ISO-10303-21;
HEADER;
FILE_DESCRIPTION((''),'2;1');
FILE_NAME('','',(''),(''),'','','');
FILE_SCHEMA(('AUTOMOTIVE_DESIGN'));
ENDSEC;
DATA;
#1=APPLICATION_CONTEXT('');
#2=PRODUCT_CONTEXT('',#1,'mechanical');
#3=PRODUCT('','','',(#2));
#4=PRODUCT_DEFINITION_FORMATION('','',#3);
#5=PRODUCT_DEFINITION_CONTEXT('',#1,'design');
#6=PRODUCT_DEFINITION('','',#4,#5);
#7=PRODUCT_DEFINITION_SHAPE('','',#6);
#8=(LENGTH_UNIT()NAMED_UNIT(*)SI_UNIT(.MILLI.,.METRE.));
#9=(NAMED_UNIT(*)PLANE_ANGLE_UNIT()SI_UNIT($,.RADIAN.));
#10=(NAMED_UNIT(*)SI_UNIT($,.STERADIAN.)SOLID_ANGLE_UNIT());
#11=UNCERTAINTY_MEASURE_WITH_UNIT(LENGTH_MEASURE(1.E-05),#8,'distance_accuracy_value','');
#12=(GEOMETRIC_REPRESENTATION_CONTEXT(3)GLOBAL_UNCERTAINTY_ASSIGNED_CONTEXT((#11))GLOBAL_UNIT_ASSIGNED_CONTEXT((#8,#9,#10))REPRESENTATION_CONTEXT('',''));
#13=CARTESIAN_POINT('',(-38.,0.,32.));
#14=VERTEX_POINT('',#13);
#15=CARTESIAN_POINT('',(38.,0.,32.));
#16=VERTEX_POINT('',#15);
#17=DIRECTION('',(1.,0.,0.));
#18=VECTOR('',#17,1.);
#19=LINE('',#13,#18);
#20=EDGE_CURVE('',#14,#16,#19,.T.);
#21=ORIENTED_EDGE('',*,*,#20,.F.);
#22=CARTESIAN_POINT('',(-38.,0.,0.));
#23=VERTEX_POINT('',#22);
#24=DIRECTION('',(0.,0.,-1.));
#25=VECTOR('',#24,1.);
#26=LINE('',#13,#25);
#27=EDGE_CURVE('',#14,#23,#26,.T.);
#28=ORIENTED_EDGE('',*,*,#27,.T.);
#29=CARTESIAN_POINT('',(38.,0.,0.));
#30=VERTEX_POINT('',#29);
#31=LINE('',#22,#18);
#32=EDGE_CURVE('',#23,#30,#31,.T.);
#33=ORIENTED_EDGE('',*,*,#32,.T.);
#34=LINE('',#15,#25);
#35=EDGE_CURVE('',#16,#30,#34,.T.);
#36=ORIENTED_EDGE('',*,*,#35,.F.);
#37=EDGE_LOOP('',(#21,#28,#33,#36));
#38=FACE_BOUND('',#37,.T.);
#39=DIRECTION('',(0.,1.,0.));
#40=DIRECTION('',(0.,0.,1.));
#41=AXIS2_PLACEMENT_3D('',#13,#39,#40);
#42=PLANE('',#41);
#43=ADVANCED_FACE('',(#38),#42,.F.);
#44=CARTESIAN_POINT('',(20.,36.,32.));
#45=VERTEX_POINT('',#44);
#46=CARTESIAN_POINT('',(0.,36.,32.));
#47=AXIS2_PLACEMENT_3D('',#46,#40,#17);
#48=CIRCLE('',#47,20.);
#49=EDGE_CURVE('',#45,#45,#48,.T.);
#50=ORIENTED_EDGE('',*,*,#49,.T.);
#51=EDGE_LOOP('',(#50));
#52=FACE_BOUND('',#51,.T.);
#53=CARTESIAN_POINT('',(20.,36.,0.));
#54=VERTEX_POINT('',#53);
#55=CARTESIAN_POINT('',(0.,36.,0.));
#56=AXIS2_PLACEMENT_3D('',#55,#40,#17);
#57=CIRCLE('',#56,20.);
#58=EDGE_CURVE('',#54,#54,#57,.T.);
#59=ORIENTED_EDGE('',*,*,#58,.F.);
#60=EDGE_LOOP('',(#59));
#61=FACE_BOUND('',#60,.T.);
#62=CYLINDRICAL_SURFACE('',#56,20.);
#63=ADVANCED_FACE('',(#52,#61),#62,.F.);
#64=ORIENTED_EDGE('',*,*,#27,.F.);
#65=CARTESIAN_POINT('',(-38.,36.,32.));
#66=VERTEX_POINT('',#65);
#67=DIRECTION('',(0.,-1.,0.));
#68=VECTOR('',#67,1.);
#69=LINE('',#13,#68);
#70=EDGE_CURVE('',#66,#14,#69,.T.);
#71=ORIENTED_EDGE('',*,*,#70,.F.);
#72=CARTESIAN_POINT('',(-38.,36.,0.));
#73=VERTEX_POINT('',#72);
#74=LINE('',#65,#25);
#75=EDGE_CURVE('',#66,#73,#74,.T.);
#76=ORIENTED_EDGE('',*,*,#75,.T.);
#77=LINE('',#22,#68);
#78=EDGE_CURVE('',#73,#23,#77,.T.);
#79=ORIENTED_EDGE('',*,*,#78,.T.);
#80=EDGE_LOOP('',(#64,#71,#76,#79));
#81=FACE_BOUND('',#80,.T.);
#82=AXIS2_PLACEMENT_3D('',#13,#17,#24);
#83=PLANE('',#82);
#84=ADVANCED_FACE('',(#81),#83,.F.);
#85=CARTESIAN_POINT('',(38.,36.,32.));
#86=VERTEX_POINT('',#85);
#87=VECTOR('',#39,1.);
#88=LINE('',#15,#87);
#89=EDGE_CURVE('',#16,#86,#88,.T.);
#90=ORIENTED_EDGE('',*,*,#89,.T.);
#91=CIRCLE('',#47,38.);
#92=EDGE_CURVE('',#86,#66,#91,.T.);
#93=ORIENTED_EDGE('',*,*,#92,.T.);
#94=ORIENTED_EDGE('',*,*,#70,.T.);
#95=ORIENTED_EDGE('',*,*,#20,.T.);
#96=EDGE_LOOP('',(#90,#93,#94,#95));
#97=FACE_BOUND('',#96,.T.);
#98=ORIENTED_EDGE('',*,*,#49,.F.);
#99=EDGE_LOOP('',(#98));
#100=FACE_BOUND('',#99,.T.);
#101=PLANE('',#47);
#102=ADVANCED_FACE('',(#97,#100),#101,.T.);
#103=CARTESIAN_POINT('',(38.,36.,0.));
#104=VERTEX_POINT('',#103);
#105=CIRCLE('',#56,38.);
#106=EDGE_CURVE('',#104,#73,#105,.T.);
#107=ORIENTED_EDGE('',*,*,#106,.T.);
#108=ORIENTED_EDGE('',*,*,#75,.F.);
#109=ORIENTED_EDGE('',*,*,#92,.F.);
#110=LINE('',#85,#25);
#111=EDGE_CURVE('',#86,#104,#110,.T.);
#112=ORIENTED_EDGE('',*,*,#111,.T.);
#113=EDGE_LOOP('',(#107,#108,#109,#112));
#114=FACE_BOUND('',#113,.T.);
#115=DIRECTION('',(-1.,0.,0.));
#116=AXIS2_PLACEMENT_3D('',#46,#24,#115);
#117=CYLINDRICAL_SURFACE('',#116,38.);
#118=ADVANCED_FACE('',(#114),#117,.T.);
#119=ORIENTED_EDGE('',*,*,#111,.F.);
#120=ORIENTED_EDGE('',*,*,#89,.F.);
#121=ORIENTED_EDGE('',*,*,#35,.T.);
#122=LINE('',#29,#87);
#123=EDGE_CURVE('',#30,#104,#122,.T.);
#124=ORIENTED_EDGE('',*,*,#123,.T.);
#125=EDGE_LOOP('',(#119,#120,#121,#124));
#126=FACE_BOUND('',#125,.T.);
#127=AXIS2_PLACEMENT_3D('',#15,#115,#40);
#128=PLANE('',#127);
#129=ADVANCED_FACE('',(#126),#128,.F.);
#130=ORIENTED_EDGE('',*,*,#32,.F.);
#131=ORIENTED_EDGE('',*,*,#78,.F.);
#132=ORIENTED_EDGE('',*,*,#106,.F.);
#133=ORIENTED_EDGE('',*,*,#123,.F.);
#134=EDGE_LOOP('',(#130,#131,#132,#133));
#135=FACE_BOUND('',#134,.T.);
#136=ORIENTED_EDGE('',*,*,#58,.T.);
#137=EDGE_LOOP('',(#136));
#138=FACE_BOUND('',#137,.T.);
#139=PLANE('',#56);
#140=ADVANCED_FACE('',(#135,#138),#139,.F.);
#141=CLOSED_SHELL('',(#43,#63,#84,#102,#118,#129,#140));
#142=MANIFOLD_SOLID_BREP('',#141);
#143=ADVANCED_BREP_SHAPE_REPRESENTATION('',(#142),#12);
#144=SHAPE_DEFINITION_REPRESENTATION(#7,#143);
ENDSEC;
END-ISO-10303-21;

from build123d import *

# Parameters (mm, degrees)
BOSS_EXTRUDE1_DEPTH = 32
SKETCH2_R           = 20
CUT_EXTRUDE1_DEPTH  = 32


with BuildPart() as part:
    # Sketch1 → Boss-Extrude1 (new body)
    with BuildSketch(Plane.XY):
        with BuildLine():
            Line((-38, 0), (38, 0))
            Line((38, 0), (38, 36))
            ThreePointArc((38, 36), (0, 74), (-38, 36))
            Line((-38, 36), (-38, 0))
        make_face()
    extrude(amount=BOSS_EXTRUDE1_DEPTH)

    # Sketch2 → Cut-Extrude1 (cut)
    with BuildSketch(Plane.XY.offset(32)):
        with Locations((0, 36)):
            Circle(SKETCH2_R)
    extrude(amount=-CUT_EXTRUDE1_DEPTH, mode=Mode.SUBTRACT)


solid = part.part
